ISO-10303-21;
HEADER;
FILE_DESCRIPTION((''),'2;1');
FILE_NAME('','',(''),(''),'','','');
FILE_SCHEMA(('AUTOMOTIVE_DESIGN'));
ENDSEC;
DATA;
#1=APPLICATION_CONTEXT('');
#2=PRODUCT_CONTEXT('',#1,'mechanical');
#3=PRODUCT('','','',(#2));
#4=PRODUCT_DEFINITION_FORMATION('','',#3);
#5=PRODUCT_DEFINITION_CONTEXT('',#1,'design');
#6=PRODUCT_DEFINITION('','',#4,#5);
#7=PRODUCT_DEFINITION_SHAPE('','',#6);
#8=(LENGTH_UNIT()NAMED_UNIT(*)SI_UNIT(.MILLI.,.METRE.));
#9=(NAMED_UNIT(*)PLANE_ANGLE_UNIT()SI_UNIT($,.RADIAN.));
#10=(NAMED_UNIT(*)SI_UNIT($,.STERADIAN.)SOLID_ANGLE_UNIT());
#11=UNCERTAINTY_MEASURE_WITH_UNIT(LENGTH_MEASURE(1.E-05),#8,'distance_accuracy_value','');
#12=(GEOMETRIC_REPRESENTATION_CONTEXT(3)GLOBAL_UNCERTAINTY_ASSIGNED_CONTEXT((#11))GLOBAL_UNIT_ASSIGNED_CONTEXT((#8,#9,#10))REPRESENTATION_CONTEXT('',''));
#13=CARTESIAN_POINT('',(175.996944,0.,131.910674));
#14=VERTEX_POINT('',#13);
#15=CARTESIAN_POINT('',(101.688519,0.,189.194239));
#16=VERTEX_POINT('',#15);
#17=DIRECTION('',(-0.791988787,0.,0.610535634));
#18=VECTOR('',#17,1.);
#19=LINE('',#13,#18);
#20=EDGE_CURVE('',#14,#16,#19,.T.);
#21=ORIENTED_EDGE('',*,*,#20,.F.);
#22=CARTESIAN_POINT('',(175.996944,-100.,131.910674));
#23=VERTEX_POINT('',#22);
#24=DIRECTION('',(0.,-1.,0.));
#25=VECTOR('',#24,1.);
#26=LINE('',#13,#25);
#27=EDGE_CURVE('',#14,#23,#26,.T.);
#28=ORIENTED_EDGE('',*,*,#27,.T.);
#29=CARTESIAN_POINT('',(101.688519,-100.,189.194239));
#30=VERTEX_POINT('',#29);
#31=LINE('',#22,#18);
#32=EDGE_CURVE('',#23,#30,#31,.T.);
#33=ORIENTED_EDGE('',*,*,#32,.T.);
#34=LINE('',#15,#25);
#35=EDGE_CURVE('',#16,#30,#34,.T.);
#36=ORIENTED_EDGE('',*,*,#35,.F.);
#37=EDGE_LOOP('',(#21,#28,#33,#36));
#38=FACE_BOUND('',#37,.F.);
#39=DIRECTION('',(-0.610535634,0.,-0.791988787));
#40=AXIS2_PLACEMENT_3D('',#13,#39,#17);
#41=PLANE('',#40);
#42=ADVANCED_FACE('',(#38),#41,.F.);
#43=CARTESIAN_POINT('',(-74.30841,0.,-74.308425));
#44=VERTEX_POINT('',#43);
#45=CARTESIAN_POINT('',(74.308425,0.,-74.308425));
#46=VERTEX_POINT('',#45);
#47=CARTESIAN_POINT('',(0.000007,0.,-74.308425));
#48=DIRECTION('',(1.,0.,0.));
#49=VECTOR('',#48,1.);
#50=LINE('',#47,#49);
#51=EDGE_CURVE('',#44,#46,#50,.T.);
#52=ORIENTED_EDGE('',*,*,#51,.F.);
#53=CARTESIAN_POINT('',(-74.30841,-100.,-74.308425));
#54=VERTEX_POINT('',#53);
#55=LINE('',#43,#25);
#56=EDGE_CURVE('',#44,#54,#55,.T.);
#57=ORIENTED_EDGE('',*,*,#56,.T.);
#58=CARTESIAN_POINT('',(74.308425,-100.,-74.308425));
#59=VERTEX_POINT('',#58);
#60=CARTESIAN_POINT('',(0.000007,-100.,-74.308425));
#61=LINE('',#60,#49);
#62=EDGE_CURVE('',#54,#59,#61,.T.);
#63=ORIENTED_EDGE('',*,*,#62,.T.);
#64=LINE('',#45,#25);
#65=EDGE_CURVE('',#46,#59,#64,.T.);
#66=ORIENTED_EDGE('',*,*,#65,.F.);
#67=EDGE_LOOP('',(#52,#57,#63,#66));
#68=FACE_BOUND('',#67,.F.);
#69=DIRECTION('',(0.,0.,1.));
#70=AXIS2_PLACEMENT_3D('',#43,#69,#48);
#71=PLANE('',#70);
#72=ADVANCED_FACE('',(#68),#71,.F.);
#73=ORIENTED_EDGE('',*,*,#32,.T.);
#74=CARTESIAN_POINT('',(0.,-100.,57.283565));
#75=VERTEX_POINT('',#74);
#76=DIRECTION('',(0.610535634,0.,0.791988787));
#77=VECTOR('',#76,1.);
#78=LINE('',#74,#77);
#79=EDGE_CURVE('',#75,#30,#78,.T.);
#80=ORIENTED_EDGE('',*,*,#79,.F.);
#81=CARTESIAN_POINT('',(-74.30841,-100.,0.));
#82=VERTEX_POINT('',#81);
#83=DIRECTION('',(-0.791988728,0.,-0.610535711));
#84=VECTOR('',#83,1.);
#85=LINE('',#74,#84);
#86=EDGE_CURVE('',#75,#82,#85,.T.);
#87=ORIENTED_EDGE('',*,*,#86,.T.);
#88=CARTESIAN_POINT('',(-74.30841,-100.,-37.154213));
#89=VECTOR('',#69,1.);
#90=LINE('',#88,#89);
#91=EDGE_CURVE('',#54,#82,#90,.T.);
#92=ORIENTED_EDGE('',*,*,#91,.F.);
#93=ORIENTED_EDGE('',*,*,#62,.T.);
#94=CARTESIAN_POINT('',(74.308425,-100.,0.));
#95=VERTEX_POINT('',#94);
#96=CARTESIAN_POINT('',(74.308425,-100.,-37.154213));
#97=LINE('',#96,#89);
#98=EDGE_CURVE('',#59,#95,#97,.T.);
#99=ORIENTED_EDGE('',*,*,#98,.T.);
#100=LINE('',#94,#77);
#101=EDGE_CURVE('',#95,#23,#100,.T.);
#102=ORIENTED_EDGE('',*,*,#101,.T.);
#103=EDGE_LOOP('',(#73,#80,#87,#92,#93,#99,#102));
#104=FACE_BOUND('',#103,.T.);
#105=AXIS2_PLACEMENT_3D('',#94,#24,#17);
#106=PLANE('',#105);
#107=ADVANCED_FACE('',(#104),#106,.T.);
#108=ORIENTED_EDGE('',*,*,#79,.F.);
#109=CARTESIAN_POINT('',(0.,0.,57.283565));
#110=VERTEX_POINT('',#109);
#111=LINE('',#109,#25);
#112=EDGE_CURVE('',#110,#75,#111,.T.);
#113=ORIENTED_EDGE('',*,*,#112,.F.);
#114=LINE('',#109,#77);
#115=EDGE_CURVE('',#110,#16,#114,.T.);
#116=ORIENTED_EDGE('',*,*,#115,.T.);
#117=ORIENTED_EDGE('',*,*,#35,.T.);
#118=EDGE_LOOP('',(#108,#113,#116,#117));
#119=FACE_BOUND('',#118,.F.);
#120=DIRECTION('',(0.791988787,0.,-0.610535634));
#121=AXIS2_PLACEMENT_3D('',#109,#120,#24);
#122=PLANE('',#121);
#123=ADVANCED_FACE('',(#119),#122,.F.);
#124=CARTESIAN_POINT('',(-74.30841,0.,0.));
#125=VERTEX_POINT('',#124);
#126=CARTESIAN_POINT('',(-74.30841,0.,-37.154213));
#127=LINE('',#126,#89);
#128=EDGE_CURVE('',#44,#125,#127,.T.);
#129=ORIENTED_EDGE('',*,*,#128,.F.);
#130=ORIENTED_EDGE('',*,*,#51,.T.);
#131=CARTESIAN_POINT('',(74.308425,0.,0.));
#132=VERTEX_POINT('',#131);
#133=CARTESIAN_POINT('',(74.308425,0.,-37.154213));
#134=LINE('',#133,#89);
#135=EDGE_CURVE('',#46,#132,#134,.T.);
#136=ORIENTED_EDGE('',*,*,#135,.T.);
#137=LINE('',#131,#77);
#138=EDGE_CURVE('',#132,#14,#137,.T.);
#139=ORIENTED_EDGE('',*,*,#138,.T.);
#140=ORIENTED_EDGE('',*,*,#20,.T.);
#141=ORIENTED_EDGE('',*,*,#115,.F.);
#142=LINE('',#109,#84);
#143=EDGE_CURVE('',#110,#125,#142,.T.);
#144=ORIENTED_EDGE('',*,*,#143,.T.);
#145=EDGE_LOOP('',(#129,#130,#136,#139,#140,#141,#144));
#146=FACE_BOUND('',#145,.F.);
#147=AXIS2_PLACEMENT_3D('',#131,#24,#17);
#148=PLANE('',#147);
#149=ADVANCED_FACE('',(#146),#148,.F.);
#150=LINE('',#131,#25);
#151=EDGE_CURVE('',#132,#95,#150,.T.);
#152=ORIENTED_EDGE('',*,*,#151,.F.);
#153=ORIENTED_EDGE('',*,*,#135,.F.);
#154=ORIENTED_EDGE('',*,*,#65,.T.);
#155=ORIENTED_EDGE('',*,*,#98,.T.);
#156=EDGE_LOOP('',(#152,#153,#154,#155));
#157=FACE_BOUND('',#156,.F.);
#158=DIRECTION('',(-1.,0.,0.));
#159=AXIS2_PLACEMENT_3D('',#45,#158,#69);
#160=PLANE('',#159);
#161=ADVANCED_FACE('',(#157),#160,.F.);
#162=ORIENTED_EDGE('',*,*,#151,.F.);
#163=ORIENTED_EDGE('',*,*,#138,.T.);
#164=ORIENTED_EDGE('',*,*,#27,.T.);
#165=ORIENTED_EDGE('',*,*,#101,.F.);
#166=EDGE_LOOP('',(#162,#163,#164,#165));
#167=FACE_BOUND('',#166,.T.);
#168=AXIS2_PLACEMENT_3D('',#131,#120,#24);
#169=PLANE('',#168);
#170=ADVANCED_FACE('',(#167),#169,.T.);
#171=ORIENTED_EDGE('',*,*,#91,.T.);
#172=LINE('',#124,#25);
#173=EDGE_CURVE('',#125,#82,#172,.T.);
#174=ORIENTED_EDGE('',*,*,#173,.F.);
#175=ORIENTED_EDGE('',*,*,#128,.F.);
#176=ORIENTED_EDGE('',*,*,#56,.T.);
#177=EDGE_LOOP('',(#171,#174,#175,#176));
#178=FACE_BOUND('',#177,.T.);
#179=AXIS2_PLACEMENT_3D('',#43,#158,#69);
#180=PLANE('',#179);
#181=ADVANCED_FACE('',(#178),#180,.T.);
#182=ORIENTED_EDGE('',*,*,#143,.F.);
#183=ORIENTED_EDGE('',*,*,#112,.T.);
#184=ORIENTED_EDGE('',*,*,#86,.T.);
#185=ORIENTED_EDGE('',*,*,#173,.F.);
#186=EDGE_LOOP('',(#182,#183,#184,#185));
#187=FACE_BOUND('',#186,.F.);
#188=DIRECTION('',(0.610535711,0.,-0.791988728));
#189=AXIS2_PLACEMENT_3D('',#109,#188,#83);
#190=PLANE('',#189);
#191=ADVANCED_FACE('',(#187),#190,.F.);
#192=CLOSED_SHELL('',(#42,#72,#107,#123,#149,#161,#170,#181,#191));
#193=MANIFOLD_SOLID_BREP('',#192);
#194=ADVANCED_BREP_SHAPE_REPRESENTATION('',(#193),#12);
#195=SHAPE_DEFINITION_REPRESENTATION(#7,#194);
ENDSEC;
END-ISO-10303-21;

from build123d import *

# Parameters (mm, degrees)
F0_W     = 148.616835475
F0_H     = 74.3084251881
F1_DEPTH = 100
F2_DEPTH = 166.5562391281


with BuildPart() as f1:
    # F0 (on Front) → F1 (new body)
    with BuildSketch(Plane.XZ):
        Polygon((0, 57.283565402), (-74.3084102869, 0), (74.3084251881, 0), align=None)
        with Locations((7.4506e-06, -37.154212594)):
            Rectangle(F0_W, F0_H)
    extrude(amount=F1_DEPTH)

    # F2 (add): a face of the model
    f2_faces = [f1.faces().sort_by_distance(p)[0] for p in [
        (37.154212594, -50, 28.641782701),
    ]]
    extrude(f2_faces, amount=F2_DEPTH)


solid = f1.part
